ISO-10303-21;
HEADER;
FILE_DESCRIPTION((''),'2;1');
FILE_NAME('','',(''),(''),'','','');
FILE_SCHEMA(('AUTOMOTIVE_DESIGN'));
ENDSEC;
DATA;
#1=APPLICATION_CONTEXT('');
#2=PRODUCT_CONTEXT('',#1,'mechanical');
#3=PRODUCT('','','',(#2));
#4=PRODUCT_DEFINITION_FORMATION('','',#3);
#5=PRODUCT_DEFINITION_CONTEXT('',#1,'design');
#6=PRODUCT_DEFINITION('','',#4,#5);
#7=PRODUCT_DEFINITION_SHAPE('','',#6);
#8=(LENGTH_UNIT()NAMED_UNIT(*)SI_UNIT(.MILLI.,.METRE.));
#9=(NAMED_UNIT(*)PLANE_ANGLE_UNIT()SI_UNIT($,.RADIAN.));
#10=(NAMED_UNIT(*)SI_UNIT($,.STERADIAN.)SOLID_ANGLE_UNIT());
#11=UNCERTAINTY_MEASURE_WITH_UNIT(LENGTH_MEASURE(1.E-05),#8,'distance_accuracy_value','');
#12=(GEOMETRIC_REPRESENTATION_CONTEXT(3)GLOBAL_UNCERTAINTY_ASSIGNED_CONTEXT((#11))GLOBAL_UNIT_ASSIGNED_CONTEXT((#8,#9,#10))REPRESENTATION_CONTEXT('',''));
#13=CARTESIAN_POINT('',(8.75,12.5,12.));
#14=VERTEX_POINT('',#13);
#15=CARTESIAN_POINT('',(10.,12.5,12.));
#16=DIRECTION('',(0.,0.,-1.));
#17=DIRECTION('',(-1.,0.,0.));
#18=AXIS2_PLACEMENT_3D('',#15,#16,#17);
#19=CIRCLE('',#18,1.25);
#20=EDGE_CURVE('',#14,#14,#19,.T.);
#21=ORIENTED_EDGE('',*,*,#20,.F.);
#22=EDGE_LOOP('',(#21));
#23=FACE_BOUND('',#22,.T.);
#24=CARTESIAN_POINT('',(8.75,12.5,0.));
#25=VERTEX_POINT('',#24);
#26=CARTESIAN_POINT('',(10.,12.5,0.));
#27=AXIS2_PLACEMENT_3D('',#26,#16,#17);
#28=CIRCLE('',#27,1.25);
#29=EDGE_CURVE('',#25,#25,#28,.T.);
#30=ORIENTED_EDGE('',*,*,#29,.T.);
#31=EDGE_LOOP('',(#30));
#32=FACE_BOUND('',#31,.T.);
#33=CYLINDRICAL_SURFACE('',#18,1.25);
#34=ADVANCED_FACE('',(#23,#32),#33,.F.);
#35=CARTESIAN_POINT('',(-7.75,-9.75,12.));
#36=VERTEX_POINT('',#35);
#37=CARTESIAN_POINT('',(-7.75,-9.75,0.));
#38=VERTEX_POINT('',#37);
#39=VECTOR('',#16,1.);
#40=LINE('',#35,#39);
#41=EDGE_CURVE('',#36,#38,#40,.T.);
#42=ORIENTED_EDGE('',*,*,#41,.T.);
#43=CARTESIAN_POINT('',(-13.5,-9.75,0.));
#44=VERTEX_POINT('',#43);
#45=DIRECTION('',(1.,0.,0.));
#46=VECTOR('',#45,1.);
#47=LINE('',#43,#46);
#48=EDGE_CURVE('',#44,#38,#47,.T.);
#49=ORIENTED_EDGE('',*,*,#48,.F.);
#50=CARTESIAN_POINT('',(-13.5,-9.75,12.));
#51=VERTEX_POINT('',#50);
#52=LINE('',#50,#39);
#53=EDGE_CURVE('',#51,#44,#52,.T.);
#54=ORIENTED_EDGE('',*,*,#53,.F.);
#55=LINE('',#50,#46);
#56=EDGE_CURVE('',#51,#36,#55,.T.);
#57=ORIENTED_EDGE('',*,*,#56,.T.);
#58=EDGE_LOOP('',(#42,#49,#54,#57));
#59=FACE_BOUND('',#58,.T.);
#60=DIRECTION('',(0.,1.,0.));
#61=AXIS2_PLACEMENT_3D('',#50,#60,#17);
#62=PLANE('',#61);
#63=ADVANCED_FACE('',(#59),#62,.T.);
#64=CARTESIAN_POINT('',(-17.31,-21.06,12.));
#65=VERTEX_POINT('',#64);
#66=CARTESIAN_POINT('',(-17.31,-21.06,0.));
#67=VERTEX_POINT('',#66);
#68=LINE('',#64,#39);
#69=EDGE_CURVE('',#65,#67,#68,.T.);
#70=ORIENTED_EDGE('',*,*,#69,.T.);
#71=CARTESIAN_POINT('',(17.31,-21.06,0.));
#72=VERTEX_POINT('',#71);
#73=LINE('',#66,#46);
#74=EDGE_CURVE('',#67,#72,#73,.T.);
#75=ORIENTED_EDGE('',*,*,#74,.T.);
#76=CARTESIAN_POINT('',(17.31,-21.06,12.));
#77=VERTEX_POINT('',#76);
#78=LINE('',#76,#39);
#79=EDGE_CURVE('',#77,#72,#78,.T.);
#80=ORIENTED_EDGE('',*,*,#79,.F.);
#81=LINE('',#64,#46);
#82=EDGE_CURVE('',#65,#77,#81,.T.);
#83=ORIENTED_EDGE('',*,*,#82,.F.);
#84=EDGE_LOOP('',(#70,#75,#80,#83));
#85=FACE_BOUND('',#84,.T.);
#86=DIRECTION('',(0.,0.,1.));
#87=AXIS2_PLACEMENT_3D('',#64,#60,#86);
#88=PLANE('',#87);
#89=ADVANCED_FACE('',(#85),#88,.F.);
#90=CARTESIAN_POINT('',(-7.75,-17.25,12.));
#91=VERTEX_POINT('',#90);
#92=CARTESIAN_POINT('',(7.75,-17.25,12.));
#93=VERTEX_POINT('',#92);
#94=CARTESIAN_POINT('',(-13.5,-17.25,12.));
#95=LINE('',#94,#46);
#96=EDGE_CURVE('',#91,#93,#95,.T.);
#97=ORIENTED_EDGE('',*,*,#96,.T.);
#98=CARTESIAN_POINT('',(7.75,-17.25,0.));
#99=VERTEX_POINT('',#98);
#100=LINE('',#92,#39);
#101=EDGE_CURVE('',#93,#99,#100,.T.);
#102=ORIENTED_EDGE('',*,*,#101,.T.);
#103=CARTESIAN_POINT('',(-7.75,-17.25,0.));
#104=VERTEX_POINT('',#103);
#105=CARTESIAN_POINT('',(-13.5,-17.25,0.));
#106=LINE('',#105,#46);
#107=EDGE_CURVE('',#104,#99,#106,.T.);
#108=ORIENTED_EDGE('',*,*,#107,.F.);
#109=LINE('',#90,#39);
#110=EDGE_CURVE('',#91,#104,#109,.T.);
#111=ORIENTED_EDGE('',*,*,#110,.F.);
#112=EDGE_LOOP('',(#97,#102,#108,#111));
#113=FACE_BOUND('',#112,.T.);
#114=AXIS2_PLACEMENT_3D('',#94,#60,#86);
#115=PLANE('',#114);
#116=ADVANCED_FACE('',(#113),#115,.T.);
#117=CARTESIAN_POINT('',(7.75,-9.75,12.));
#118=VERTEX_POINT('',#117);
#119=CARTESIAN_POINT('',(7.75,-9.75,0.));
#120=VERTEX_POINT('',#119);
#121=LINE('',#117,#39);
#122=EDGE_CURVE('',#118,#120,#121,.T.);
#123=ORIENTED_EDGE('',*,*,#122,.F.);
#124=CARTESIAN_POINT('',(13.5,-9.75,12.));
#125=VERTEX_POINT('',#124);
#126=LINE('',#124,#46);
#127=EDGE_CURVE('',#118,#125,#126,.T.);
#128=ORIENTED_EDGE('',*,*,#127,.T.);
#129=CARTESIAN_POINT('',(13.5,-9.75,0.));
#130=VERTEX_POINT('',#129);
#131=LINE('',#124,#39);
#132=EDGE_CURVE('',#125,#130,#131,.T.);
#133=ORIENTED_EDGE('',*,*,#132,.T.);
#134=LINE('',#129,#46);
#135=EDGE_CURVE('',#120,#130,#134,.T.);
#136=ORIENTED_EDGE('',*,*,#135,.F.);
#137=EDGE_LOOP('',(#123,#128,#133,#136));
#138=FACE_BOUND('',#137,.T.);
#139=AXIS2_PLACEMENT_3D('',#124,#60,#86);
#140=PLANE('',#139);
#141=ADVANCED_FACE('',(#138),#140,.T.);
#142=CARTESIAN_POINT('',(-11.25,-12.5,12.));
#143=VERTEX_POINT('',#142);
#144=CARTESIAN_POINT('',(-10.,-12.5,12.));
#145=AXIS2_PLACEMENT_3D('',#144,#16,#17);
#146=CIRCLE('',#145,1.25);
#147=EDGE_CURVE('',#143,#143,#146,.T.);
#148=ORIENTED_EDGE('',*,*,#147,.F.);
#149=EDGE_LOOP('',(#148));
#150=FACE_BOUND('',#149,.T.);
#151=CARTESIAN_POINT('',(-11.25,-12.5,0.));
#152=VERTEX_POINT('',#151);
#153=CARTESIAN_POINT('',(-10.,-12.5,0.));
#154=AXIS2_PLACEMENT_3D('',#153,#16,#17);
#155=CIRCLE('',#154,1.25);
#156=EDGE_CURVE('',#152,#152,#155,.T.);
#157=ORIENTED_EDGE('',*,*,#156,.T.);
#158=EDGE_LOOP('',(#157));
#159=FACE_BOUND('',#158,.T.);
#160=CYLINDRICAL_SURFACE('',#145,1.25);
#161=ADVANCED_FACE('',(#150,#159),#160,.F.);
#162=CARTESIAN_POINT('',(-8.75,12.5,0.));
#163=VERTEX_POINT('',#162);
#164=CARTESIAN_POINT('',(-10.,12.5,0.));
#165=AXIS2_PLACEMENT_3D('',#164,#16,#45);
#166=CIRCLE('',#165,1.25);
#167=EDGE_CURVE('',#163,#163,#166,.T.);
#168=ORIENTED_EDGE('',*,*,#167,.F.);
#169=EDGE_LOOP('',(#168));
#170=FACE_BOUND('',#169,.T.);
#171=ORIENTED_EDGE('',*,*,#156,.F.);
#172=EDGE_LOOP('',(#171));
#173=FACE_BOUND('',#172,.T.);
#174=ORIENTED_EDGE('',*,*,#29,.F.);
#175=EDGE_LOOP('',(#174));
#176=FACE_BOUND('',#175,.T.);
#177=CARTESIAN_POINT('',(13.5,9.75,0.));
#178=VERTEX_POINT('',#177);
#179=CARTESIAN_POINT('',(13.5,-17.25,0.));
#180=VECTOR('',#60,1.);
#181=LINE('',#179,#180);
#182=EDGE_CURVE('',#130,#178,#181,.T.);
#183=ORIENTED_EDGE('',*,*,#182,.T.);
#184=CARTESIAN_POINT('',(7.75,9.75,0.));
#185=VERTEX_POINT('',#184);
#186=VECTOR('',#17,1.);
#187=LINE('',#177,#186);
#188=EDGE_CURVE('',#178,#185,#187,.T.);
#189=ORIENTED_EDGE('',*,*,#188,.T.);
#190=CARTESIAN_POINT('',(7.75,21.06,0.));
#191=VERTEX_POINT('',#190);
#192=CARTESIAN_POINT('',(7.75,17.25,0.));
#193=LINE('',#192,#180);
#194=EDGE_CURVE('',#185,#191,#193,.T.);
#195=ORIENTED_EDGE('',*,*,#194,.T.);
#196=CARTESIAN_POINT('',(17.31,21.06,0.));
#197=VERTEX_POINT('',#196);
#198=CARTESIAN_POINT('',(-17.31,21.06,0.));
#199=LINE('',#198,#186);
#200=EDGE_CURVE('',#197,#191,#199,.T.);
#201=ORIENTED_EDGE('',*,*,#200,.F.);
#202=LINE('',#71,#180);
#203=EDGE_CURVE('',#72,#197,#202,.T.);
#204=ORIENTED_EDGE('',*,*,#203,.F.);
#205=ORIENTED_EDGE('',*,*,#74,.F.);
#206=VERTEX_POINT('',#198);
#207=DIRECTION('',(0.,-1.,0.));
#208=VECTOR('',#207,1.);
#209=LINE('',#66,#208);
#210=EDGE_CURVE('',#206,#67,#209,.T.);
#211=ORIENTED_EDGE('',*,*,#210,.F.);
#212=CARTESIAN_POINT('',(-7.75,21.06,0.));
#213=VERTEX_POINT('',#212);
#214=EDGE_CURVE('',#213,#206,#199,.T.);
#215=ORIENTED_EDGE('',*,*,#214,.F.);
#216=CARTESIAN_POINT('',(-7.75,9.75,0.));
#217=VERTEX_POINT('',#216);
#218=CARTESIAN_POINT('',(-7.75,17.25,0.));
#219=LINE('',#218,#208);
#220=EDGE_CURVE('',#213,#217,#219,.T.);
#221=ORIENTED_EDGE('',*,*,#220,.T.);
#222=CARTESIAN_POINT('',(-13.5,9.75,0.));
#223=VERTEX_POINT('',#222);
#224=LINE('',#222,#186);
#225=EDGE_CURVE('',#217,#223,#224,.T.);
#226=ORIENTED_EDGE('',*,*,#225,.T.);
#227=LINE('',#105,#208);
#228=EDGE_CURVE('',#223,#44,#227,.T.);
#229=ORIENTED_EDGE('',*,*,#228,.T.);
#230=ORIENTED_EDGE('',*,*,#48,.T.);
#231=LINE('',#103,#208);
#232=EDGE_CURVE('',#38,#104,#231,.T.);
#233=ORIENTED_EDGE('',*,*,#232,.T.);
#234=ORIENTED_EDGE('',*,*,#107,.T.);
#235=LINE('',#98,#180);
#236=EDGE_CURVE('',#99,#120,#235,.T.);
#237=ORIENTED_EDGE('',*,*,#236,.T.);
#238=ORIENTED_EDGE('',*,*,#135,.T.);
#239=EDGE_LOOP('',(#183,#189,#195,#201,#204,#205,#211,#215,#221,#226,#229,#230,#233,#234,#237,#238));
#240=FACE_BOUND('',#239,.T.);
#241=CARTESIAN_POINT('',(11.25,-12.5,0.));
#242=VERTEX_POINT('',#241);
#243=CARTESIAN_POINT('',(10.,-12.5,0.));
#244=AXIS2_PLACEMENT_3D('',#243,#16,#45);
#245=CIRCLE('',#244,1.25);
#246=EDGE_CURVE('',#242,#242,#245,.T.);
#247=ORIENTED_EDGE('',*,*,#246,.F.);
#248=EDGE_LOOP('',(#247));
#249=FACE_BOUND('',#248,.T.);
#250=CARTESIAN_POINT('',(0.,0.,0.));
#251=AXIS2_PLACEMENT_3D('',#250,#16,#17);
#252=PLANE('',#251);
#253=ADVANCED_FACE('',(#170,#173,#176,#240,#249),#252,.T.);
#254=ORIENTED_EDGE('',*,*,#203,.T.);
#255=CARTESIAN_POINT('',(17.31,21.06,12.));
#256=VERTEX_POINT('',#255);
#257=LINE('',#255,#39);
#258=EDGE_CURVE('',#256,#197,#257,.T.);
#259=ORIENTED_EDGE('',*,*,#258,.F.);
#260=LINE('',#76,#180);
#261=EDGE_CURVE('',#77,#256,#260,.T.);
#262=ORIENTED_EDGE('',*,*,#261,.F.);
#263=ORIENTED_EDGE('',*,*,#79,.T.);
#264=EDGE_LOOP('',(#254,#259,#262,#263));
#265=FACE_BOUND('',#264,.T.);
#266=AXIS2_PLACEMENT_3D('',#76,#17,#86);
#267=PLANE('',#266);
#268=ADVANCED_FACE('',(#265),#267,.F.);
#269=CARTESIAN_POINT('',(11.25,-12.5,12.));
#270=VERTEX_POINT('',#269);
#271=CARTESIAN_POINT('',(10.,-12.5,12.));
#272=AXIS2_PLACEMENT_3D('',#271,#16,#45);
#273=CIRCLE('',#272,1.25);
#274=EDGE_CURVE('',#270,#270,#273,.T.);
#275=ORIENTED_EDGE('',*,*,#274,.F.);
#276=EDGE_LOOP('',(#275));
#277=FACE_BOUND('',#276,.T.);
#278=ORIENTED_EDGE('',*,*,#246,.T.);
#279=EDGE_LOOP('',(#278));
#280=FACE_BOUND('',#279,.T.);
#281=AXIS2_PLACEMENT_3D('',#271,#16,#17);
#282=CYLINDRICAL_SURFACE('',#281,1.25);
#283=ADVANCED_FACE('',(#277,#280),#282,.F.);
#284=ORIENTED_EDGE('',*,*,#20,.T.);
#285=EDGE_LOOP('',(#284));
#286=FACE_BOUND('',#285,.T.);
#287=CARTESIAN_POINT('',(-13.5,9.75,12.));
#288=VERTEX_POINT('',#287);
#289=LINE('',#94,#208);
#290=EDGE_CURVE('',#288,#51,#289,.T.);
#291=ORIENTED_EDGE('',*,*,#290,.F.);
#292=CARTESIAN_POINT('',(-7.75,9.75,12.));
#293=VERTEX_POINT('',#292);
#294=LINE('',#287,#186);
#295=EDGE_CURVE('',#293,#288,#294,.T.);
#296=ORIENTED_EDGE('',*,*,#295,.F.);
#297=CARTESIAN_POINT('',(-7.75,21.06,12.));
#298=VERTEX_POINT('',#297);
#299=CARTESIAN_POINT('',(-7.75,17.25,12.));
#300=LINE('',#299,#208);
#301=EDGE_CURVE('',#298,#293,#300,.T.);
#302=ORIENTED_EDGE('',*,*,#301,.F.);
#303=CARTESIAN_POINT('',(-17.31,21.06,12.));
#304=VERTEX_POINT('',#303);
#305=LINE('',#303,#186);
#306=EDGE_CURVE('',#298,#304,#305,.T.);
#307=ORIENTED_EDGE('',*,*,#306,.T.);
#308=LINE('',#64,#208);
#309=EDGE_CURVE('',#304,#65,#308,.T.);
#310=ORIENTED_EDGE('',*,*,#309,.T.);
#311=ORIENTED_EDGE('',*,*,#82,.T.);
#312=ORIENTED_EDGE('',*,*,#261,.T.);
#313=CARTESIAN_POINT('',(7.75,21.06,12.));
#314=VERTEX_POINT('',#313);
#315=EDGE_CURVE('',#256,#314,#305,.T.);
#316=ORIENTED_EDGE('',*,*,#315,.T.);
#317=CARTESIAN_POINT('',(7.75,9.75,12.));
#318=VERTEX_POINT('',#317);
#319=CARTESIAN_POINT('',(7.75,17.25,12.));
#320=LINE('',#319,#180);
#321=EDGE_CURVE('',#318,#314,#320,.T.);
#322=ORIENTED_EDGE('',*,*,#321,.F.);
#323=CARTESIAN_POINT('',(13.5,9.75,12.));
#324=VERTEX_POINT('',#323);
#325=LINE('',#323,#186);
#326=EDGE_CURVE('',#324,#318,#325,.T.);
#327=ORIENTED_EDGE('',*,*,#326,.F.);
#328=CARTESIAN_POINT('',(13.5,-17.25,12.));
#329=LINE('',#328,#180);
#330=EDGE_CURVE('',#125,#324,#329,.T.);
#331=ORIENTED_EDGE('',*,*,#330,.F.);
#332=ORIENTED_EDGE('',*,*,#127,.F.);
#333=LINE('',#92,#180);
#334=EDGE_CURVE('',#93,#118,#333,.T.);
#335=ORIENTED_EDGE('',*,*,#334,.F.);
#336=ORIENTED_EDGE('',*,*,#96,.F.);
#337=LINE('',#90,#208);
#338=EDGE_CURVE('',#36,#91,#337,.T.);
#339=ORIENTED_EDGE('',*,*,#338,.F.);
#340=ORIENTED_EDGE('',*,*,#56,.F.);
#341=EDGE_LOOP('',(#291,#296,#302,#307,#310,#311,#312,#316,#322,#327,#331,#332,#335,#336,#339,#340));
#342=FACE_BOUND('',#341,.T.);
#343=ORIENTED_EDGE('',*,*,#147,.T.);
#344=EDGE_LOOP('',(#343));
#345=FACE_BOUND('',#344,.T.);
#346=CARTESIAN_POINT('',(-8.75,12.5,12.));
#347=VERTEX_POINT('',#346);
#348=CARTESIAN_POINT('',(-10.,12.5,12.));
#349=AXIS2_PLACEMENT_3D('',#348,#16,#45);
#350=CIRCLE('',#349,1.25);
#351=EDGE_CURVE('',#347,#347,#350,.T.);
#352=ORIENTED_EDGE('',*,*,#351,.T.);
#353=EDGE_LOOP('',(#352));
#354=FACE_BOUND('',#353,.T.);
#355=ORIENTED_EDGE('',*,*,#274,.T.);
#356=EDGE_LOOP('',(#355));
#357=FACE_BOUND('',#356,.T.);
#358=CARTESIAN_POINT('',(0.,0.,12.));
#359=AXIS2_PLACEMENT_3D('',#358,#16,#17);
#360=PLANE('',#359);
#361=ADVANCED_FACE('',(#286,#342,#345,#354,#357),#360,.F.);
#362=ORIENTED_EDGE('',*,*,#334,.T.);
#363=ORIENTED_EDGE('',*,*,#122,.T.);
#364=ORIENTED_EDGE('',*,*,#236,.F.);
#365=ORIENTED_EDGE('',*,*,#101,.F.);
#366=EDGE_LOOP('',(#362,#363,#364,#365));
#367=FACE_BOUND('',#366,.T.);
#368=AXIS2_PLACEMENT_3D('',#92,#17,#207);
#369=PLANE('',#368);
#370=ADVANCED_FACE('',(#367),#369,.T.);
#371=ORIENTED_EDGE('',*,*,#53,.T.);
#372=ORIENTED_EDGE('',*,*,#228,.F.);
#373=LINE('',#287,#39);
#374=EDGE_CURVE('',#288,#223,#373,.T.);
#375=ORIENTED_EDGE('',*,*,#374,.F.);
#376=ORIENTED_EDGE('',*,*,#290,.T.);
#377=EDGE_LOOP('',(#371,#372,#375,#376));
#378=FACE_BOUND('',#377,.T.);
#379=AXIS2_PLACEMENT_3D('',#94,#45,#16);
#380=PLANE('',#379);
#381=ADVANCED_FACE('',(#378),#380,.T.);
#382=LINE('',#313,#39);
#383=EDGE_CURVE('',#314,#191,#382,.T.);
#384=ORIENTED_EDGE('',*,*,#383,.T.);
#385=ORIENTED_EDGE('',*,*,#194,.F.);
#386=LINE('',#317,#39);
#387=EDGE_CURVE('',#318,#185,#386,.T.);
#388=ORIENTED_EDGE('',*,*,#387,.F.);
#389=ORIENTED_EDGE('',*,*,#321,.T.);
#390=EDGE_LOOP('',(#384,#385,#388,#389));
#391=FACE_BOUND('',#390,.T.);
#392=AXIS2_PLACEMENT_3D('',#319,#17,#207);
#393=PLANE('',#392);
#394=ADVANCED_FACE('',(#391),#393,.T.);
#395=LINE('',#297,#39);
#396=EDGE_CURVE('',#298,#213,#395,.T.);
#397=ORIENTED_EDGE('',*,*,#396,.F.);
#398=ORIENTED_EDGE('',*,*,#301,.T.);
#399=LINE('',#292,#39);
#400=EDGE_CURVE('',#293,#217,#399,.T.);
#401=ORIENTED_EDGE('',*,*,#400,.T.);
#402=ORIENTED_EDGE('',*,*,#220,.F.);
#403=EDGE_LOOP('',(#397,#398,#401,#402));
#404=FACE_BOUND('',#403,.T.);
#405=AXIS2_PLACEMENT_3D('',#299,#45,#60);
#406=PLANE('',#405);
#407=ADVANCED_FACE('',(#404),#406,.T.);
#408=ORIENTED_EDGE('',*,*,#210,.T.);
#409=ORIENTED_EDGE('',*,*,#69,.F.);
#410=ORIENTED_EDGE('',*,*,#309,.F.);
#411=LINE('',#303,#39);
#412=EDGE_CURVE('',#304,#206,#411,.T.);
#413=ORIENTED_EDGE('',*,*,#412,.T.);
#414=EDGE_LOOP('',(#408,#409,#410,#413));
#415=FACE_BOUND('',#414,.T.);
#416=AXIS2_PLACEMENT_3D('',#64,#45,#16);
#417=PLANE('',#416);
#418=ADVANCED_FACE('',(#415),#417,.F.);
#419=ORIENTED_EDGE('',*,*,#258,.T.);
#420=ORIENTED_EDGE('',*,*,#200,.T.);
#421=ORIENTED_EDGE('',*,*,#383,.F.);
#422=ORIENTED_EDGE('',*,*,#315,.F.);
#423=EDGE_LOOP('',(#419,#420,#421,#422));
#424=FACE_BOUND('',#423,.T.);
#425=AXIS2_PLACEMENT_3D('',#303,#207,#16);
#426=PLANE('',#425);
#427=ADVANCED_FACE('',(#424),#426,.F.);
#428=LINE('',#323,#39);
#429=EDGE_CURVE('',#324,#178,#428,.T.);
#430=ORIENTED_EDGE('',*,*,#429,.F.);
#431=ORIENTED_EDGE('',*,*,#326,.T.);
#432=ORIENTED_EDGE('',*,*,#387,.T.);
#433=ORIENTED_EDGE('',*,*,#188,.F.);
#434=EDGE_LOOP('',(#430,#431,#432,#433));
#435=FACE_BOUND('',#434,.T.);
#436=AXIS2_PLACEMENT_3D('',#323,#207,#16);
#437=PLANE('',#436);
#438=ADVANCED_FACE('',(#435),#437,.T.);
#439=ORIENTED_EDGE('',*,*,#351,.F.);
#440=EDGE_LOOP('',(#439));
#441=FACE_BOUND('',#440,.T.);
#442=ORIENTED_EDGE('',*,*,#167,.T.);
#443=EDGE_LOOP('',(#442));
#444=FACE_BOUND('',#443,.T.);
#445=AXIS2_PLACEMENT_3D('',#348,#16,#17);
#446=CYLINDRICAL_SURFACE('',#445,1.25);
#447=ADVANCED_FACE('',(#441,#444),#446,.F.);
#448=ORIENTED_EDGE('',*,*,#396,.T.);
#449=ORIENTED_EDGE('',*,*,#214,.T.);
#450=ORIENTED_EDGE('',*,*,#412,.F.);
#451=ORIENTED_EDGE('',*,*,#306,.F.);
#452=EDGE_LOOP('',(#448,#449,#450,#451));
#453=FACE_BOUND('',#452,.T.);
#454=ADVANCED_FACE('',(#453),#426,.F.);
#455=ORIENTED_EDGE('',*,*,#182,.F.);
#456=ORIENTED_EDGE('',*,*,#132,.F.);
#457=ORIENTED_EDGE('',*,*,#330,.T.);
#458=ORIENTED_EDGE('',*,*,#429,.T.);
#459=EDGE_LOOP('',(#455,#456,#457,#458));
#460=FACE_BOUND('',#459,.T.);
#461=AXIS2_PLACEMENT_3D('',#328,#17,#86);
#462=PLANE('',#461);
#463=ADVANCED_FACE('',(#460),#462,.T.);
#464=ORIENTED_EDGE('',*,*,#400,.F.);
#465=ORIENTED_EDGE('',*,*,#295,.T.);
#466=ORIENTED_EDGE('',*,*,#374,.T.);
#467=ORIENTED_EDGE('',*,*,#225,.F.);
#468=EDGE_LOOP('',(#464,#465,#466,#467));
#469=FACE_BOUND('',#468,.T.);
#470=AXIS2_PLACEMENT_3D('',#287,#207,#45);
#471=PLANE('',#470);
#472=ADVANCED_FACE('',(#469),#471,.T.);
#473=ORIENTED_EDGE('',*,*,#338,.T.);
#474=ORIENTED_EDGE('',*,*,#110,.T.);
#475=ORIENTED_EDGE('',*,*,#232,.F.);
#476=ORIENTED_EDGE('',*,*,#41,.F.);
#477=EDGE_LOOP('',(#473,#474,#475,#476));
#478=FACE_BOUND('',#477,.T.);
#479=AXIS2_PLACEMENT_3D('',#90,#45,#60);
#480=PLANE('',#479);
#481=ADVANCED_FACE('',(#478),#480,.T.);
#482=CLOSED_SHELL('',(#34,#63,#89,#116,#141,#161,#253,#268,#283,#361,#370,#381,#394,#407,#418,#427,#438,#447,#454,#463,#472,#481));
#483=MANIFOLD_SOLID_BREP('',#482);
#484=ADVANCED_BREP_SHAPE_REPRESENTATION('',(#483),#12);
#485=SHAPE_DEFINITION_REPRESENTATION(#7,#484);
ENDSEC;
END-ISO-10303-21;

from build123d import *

# Parameters (mm, degrees)
SKETCH1_W           = 34.62
SKETCH1_H           = 42.12
SKETCH1_W_2         = 27
SKETCH1_H_2         = 34.5
BOSS_EXTRUDE1_DEPTH = 12
SKETCH2_W           = 5.75
SKETCH2_H           = 7.5
SKETCH2_R           = 1.25
BOSS_EXTRUDE2_DEPTH = 12
SKETCH3_W           = 15.5
SKETCH3_H           = 3.81
CUT_EXTRUDE1_DEPTH  = 30.785226204


with BuildPart() as part:
    # Sketch1 → Boss-Extrude1 (new body)
    with BuildSketch(Plane.XY):
        Rectangle(SKETCH1_W, SKETCH1_H)
        Rectangle(SKETCH1_W_2, SKETCH1_H_2, mode=Mode.SUBTRACT)
    extrude(amount=BOSS_EXTRUDE1_DEPTH)

    # Sketch2 → Boss-Extrude2 (add, through all)
    # profile 1 of 4: a face of its own
    with BuildSketch(Plane(origin=(0, 0, 0), x_dir=(-1, 0, 0), z_dir=(0, 0, -1))):
        with Locations((-10.625, 13.5)):
            Rectangle(SKETCH2_W, SKETCH2_H)
        with Locations((-10, 12.5)):
            Circle(SKETCH2_R, mode=Mode.SUBTRACT)
    # profile 2 of 4: a face of its own
    with BuildSketch(Plane(origin=(0, 0, 0), x_dir=(-1, 0, 0), z_dir=(0, 0, -1))):
        with Locations((10.625, 13.5)):
            Rectangle(SKETCH2_W, SKETCH2_H)
        with Locations(Location((10, 12.5, 0), (0, 0, 180))):
            Circle(SKETCH2_R, mode=Mode.SUBTRACT)
    # profile 3 of 4: a face of its own
    with BuildSketch(Plane(origin=(0, 0, 0), x_dir=(-1, 0, 0), z_dir=(0, 0, -1))):
        with Locations((10.625, -13.5)):
            Rectangle(SKETCH2_W, SKETCH2_H)
        with Locations((10, -12.5)):
            Circle(SKETCH2_R, mode=Mode.SUBTRACT)
    # profile 4 of 4: a face of its own
    with BuildSketch(Plane(origin=(0, 0, 0), x_dir=(-1, 0, 0), z_dir=(0, 0, -1))):
        with Locations((-10.625, -13.5)):
            Rectangle(SKETCH2_W, SKETCH2_H)
        with Locations(Location((-10, -12.5, 0), (0, 0, 180))):
            Circle(SKETCH2_R, mode=Mode.SUBTRACT)
    extrude(amount=-BOSS_EXTRUDE2_DEPTH)

    # Sketch3 → Cut-Extrude1 (cut, through all)
    with BuildSketch(Plane(origin=(0, 0, 0), x_dir=(-1, 0, 0), z_dir=(0, 0, -1))):
        with Locations((0, 19.155)):
            Rectangle(SKETCH3_W, SKETCH3_H)
    extrude(amount=-CUT_EXTRUDE1_DEPTH, mode=Mode.SUBTRACT)


solid = part.part
